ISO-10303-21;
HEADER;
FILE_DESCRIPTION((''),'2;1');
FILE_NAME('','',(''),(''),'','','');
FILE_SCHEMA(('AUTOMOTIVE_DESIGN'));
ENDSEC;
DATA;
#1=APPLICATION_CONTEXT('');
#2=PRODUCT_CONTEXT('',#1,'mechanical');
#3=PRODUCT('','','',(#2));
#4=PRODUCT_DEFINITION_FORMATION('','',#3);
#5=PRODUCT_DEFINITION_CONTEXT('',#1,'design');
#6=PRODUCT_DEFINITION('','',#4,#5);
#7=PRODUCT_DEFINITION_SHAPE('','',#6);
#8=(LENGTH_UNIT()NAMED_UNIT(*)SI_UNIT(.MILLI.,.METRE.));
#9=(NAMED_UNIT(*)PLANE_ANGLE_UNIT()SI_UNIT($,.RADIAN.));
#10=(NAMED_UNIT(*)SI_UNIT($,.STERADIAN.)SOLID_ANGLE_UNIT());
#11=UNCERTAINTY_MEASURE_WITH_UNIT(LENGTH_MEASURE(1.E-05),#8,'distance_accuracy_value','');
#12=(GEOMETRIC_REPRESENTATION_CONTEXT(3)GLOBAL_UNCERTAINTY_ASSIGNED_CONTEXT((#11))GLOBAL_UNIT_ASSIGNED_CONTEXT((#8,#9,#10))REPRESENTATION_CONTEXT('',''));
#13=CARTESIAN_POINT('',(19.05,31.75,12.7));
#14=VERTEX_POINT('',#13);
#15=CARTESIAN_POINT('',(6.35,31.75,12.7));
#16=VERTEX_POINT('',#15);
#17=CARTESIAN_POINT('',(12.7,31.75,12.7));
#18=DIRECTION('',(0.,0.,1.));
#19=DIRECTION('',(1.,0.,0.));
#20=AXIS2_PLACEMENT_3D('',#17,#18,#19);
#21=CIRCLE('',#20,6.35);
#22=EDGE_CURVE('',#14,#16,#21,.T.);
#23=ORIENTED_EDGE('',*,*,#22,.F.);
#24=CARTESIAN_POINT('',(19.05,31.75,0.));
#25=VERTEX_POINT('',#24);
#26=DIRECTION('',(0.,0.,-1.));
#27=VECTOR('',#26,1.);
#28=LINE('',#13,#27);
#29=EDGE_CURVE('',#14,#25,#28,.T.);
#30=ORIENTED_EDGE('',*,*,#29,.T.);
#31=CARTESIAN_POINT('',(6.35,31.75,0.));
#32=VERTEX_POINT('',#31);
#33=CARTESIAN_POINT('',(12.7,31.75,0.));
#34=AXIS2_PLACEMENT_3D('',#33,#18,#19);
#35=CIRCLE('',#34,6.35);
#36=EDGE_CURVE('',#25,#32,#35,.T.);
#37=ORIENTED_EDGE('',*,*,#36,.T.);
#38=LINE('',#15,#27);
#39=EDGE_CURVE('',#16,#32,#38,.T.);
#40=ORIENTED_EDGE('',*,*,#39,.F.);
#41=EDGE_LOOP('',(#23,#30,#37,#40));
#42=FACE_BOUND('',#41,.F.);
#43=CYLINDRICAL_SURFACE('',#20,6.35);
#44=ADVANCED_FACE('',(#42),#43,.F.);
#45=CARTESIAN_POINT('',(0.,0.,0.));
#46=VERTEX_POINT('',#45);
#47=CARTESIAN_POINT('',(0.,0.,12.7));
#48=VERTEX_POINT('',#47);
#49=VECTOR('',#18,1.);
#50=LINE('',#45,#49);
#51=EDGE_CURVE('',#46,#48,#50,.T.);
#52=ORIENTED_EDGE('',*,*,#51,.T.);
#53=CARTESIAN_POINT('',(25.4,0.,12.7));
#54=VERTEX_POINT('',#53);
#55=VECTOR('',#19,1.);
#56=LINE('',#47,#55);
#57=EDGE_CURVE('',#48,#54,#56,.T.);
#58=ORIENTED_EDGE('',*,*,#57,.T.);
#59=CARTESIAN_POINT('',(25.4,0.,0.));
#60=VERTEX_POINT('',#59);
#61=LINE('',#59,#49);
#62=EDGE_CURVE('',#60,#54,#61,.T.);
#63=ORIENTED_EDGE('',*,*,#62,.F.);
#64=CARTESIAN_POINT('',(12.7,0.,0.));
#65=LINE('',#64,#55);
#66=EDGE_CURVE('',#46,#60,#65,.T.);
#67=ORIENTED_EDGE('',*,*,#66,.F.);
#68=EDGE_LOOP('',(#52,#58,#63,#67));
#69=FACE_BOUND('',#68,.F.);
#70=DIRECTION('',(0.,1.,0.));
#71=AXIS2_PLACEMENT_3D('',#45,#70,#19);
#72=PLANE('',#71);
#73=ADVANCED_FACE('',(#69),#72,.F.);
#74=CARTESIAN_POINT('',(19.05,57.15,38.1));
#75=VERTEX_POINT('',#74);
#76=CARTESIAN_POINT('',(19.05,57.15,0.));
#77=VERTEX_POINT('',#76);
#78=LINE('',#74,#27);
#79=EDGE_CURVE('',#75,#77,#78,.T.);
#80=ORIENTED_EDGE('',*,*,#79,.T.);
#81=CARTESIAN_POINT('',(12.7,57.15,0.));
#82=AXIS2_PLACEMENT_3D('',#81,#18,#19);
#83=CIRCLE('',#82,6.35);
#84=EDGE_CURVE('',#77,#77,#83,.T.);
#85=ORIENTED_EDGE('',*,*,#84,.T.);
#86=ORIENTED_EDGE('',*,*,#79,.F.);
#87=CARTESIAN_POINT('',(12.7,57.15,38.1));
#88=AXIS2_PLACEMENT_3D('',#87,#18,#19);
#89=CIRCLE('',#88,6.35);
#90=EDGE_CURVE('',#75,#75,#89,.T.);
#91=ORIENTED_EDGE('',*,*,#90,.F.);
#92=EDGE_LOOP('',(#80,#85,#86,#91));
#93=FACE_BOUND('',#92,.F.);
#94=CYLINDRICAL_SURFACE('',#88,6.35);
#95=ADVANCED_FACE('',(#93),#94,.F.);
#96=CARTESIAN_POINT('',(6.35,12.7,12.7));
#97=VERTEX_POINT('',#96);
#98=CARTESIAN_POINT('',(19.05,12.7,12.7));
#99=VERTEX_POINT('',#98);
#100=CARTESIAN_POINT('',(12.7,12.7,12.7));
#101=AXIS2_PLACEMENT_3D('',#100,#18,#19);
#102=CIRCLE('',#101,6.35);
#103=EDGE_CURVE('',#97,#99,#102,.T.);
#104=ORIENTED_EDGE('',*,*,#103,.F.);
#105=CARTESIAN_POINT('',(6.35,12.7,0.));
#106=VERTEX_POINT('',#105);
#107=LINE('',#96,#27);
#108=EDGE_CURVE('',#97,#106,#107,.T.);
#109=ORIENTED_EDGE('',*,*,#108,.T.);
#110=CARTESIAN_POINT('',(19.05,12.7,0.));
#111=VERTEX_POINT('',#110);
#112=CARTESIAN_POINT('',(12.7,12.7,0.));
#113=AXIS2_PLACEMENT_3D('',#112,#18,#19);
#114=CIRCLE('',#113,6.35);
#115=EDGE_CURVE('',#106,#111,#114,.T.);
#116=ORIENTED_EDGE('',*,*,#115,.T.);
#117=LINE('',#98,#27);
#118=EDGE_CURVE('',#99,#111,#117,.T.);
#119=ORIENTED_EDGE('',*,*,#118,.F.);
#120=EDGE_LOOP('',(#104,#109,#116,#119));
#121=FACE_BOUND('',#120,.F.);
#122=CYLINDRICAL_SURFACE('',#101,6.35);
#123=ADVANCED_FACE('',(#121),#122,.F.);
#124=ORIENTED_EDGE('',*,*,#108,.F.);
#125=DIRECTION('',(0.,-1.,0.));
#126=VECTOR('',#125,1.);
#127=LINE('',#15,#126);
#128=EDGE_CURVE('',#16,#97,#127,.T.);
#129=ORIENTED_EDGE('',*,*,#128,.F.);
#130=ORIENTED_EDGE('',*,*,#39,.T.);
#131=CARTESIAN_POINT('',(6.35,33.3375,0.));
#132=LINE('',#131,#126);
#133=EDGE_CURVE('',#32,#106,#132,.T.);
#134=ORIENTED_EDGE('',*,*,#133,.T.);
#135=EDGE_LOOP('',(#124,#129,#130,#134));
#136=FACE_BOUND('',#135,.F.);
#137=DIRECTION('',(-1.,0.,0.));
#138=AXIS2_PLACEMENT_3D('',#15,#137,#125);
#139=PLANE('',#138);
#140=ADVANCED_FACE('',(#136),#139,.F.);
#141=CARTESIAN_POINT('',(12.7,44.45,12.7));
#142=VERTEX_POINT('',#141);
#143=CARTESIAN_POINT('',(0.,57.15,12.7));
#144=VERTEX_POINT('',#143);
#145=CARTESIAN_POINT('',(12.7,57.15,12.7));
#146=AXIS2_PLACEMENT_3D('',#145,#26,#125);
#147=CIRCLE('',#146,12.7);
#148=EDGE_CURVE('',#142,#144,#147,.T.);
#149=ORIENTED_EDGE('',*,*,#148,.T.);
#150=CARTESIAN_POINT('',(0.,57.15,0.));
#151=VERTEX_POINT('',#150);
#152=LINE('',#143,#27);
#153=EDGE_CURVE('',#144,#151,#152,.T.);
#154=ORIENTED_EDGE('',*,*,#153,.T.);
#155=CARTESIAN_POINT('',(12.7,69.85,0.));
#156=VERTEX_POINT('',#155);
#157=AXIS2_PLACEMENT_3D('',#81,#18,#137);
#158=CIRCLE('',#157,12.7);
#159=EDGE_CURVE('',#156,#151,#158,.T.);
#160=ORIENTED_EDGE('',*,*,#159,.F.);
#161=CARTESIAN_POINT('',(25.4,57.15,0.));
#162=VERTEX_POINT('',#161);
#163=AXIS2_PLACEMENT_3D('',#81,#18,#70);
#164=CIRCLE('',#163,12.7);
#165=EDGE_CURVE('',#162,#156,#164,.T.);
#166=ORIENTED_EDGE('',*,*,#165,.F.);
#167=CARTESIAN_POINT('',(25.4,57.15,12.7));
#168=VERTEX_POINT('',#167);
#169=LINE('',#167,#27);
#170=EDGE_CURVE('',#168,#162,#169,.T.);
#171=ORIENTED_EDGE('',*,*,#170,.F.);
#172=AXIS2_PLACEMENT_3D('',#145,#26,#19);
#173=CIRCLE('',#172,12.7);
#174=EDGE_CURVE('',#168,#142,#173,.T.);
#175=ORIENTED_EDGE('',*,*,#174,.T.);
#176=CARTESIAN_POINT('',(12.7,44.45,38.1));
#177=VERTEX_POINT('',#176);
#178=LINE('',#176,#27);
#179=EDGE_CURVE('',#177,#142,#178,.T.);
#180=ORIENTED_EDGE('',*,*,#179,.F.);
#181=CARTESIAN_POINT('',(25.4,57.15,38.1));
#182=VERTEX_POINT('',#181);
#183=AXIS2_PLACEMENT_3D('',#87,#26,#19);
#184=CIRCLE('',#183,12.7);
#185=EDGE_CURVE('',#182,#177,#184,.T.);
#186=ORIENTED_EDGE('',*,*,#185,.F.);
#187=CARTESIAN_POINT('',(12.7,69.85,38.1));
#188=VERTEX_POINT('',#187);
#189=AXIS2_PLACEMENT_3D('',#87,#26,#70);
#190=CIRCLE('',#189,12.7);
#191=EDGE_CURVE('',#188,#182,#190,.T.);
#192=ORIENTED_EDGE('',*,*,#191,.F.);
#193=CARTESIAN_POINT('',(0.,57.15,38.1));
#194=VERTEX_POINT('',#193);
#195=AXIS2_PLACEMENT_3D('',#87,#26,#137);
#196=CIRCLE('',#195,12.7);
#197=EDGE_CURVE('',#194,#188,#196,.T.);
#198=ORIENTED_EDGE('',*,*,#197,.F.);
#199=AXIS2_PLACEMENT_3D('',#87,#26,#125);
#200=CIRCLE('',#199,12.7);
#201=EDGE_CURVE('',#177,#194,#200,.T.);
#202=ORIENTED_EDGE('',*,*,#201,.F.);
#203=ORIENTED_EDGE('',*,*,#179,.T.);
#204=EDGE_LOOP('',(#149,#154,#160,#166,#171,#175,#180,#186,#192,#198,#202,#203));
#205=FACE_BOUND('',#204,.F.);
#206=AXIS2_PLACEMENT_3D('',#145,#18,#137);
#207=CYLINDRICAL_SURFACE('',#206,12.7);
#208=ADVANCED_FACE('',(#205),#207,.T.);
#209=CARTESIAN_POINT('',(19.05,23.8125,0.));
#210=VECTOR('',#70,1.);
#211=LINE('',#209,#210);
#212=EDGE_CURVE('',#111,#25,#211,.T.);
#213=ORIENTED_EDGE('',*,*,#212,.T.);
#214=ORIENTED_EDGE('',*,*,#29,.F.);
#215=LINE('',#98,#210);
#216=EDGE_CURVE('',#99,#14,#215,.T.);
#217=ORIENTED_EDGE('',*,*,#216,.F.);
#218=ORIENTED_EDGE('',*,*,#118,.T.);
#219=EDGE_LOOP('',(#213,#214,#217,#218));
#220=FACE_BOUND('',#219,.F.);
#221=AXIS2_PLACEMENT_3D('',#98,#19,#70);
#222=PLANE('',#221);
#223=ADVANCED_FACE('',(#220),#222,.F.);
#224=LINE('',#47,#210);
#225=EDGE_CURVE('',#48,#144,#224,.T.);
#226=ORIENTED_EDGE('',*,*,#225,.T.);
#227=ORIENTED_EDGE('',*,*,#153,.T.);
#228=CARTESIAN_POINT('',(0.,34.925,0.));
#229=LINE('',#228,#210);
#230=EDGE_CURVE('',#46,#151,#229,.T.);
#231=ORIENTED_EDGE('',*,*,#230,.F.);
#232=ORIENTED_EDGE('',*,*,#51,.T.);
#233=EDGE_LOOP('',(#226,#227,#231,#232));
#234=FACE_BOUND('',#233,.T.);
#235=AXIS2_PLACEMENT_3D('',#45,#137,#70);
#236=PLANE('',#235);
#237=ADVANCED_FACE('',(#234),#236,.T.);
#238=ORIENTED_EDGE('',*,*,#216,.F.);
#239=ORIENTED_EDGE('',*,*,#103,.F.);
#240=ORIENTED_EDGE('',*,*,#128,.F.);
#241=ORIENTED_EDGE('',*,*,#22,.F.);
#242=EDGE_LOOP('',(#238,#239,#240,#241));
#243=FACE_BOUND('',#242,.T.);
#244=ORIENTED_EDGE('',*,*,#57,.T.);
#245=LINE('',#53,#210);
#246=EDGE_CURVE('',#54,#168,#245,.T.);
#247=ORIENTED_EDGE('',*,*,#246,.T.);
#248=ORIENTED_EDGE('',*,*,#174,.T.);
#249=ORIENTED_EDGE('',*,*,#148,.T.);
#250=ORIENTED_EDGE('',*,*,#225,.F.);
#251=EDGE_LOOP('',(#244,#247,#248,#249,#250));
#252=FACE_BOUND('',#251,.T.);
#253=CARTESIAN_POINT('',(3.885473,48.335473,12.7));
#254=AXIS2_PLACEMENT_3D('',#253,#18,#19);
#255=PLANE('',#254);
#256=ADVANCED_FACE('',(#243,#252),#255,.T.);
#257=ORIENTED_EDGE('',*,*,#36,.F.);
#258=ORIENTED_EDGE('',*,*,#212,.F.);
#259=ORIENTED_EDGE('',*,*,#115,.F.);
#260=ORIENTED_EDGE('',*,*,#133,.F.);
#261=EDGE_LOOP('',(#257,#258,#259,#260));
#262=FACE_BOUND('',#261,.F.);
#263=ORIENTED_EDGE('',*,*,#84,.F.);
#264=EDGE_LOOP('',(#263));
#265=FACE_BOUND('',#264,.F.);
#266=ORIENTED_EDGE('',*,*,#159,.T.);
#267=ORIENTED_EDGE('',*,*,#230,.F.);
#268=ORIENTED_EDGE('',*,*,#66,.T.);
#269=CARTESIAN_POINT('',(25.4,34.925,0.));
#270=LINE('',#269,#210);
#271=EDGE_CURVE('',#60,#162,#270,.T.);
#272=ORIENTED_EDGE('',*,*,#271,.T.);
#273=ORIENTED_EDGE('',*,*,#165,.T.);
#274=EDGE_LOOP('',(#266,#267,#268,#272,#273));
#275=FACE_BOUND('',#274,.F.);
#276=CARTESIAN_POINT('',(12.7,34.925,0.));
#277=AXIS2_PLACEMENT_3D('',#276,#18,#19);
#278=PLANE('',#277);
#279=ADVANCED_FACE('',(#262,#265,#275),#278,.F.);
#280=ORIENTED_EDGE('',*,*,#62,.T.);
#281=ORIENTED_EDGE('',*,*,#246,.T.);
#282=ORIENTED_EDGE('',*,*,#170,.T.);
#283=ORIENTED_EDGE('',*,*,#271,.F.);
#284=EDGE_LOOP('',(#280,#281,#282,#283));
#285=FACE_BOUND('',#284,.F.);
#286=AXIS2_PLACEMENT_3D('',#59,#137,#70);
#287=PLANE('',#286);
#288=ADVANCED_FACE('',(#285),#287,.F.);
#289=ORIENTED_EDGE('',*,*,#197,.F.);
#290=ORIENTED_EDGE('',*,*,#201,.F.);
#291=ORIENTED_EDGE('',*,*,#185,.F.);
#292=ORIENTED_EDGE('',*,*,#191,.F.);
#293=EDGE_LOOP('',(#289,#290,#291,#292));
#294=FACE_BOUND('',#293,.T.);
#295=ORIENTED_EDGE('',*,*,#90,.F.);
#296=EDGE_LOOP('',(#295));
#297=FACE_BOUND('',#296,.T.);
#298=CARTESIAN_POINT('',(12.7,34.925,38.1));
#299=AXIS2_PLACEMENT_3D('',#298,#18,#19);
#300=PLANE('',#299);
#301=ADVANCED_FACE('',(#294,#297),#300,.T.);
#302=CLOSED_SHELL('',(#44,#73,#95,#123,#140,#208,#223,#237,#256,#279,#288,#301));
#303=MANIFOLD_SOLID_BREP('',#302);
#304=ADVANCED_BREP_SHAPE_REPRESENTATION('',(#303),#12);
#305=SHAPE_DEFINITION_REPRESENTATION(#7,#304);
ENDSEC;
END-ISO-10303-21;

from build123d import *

# Parameters (mm, degrees)
F0_W      = 25.4
F0_H      = 69.85
F1_DEPTH  = 38.1
F2_W      = 44.45
F2_H      = 25.4
F3_DEPTH  = 25.4
F5_DEPTH  = 25.4
F7_DEPTH  = 25.4
F4_W      = 25.4
F4_H      = 25.4
F8_DEPTH  = 25.4
F9_R      = 6.35
F10_DEPTH = 76.2
F11_DEPTH = 25.4
F13_DEPTH = 25.4


with BuildPart() as f1:
    # F0 (on Top) → F1 (new body)
    with BuildSketch(Plane.XY):
        with Locations((12.7, 34.925)):
            Rectangle(F0_W, F0_H)
    extrude(amount=F1_DEPTH)

    # F2 (on face) → F3 (cut)
    with BuildSketch(Plane(origin=(0, 0, 0), x_dir=(0, -1, 0), z_dir=(-1, 0, 0))):
        with Locations((-22.225, 25.4)):
            Rectangle(F2_W, F2_H)
    extrude(amount=-F3_DEPTH, mode=Mode.SUBTRACT)

    # F2 (on face) → F5 (cut)
    with BuildSketch(Plane(origin=(0, 0, 0), x_dir=(0, -1, 0), z_dir=(-1, 0, 0))):
        with Locations((-22.225, 25.4)):
            Rectangle(F2_W, F2_H)
    extrude(amount=-F5_DEPTH, mode=Mode.SUBTRACT)

    # F6 (on face) → F7 (cut)
    with BuildSketch(Plane.XY.offset(38.1)):
        with BuildLine():
            ThreePointArc((0, 57.15), (3.7197438789, 66.1302561211), (12.7, 69.85))
            Line((12.7, 69.85), (0, 69.85))
            Line((0, 69.85), (0, 57.15))
        make_face()
        with BuildLine():
            ThreePointArc((12.7, 69.85), (21.6802561211, 66.1302561211), (25.4, 57.15))
            Line((25.4, 57.15), (25.4, 69.85))
            Line((25.4, 69.85), (12.7, 69.85))
        make_face()
        with BuildLine():
            Line((0, 44.45), (12.7, 44.45))
            ThreePointArc((12.7, 44.45), (3.7197438789, 48.1697438789), (0, 57.15))
            Line((0, 57.15), (0, 44.45))
        make_face()
        with BuildLine():
            Line((25.4, 44.45), (25.4, 57.15))
            ThreePointArc((25.4, 57.15), (21.6802561211, 48.1697438789), (12.7, 44.45))
            Line((12.7, 44.45), (25.4, 44.45))
        make_face()
    extrude(amount=-F7_DEPTH, mode=Mode.SUBTRACT)

    # F4 (on face) → F8 (cut)
    with BuildSketch(Plane.XY.offset(38.1)):
        with Locations((12.7, 57.15)):
            Rectangle(F4_W, F4_H)
    extrude(amount=F8_DEPTH, mode=Mode.SUBTRACT)

    # F9 (on face) → F10 (cut)
    with BuildSketch(Plane.XY.offset(38.1)):
        with Locations((12.7, 57.15)):
            Circle(F9_R)
    extrude(amount=-F10_DEPTH, mode=Mode.SUBTRACT)

    # F11 (cut): faces of the model
    f11_faces = [f1.faces().sort_by_distance(p)[0] for p in [
        (2.8367728246, 67.0132271754, 12.7),
        (22.5632271754, 67.0132271754, 12.7),
    ]]
    extrude(f11_faces, amount=-F11_DEPTH, mode=Mode.SUBTRACT)

    # F12 (on face) → F13 (cut)
    with BuildSketch(Plane.XY.offset(12.7)):
        with BuildLine():
            Line((6.35, 31.75), (19.05, 31.75))
            ThreePointArc((19.05, 31.75), (12.7, 38.1), (6.35, 31.75))
        make_face()
        with BuildLine():
            Line((19.05, 12.7), (19.05, 31.75))
            ThreePointArc((19.05, 31.75), (12.7, 25.4), (6.35, 31.75))
            Line((6.35, 31.75), (6.35, 12.7))
            ThreePointArc((6.35, 12.7), (12.7, 19.05), (19.05, 12.7))
        make_face()
        with BuildLine():
            ThreePointArc((6.35, 31.75), (12.7, 25.4), (19.05, 31.75))
            Line((19.05, 31.75), (6.35, 31.75))
        make_face()
        with BuildLine():
            ThreePointArc((6.35, 12.7), (12.7, 6.35), (19.05, 12.7))
            ThreePointArc((19.05, 12.7), (12.7, 19.05), (6.35, 12.7))
        make_face()
    extrude(amount=-F13_DEPTH, mode=Mode.SUBTRACT)


solid = f1.part
